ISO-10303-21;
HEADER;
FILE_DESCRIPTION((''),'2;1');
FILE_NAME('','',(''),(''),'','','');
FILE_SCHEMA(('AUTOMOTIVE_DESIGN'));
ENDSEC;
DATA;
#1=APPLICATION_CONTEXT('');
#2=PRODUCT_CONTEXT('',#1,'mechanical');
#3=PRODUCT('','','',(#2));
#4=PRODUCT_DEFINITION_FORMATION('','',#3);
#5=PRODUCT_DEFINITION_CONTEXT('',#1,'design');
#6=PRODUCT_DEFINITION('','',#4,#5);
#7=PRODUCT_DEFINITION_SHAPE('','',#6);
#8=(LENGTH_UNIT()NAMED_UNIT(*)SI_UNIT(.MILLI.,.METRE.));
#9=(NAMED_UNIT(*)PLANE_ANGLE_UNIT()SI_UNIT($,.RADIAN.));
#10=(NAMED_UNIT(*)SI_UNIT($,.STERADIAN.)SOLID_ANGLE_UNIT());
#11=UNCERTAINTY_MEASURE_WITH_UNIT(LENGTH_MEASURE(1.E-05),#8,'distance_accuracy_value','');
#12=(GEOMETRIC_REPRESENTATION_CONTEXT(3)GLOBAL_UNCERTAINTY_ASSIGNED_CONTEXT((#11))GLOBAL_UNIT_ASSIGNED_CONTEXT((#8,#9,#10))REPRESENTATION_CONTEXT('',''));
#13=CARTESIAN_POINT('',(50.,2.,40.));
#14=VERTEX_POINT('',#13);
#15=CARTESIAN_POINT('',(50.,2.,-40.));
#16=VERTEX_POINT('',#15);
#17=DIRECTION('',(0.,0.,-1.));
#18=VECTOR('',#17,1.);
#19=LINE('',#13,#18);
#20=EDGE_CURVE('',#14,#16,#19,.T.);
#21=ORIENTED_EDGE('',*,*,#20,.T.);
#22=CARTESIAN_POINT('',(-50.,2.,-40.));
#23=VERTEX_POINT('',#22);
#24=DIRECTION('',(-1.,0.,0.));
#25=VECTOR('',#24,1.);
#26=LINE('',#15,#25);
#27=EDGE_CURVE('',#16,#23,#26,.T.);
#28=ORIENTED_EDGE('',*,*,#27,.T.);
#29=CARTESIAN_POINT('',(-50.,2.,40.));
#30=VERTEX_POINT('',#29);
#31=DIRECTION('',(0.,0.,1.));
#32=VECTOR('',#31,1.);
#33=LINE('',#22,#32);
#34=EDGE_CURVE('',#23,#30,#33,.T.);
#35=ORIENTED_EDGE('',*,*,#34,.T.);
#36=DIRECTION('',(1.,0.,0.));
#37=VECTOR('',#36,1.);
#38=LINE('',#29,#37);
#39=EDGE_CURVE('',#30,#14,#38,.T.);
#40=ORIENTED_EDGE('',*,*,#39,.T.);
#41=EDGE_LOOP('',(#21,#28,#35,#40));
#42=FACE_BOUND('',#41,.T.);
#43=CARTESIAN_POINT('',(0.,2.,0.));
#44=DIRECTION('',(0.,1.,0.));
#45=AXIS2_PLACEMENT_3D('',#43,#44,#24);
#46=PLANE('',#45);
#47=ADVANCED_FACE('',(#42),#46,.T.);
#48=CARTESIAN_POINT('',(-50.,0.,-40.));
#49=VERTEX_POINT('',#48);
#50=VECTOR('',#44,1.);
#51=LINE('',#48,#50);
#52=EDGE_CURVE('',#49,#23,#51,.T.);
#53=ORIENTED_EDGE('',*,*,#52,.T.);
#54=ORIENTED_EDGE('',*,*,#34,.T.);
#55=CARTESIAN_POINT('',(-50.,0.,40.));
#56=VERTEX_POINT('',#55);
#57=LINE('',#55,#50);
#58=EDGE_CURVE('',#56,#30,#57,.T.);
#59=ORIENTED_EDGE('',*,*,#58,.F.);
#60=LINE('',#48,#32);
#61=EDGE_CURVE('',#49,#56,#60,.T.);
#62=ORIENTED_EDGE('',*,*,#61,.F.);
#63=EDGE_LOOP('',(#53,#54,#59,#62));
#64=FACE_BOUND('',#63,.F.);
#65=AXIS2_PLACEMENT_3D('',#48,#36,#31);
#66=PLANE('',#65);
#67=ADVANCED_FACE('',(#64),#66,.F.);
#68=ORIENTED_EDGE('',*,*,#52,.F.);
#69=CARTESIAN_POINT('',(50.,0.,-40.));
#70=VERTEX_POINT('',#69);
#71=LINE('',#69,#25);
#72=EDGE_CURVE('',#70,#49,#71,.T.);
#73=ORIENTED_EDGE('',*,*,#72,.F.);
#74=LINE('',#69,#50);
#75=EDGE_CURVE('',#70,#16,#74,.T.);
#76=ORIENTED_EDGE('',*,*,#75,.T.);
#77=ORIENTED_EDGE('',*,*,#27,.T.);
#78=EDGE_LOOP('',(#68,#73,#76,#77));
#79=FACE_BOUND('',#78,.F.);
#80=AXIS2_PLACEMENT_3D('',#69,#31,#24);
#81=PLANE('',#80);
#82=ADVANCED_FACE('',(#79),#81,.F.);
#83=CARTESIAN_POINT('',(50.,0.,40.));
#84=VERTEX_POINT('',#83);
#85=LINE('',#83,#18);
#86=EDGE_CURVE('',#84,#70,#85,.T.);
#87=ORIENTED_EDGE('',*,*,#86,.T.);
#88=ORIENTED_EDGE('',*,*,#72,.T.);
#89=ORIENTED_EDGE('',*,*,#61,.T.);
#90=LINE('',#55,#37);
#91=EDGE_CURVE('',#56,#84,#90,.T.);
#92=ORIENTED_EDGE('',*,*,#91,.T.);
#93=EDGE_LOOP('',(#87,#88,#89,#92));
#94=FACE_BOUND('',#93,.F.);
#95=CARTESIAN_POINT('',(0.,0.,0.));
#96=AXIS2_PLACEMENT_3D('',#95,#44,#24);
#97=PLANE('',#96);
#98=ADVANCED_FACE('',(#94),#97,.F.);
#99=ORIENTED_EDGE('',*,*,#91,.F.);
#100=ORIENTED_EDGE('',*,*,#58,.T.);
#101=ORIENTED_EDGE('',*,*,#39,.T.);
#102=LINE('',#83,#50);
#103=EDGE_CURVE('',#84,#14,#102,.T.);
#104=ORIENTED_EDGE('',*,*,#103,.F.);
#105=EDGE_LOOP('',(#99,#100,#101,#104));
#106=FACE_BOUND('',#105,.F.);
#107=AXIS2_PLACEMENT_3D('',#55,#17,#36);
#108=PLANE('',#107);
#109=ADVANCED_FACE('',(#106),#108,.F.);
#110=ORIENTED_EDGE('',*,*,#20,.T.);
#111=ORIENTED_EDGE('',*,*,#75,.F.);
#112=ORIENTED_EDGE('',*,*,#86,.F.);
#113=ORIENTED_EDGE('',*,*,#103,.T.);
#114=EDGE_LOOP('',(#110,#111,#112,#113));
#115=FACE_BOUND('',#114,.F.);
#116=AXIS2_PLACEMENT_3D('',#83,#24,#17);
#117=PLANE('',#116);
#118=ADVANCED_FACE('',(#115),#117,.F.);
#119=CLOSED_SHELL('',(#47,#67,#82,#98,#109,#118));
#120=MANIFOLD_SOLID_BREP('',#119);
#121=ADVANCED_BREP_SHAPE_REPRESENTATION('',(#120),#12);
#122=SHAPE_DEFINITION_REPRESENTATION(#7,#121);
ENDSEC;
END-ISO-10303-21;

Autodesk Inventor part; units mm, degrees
ref_plane "YZ Plane" through (0, 0, 0) normal (1, 0, 0) x (0, 1, 0)
ref_plane "XZ Plane" through (0, 0, 0) normal (0, 1, 0) x (-1, 0, 0)
ref_plane "XY Plane" through (0, 0, 0) normal (0, 0, 1) x (1, 0, 0)
sketch "Эскиз1" plane through (0, 0, 0) normal (0, 1, 0) x (-1, 0, 0)
  line L0 (50, 40) -> (-50, 40)
  line L1 (-50, 40) -> (-50, -40)
  line L2 (-50, -40) -> (50, -40)
  line L3 (50, -40) -> (50, 40)
  line L4 (50, 40) -> (-50, -40) construction
  line L5 (-50, 40) -> (50, -40) construction
  point P0 (0, 0)
  dimension "d0" = 100
  dimension "d1" = 80
extrude "Выдавливание1" add sketch "Эскиз1" along normal blind 2
properties part number "tacho_board"
